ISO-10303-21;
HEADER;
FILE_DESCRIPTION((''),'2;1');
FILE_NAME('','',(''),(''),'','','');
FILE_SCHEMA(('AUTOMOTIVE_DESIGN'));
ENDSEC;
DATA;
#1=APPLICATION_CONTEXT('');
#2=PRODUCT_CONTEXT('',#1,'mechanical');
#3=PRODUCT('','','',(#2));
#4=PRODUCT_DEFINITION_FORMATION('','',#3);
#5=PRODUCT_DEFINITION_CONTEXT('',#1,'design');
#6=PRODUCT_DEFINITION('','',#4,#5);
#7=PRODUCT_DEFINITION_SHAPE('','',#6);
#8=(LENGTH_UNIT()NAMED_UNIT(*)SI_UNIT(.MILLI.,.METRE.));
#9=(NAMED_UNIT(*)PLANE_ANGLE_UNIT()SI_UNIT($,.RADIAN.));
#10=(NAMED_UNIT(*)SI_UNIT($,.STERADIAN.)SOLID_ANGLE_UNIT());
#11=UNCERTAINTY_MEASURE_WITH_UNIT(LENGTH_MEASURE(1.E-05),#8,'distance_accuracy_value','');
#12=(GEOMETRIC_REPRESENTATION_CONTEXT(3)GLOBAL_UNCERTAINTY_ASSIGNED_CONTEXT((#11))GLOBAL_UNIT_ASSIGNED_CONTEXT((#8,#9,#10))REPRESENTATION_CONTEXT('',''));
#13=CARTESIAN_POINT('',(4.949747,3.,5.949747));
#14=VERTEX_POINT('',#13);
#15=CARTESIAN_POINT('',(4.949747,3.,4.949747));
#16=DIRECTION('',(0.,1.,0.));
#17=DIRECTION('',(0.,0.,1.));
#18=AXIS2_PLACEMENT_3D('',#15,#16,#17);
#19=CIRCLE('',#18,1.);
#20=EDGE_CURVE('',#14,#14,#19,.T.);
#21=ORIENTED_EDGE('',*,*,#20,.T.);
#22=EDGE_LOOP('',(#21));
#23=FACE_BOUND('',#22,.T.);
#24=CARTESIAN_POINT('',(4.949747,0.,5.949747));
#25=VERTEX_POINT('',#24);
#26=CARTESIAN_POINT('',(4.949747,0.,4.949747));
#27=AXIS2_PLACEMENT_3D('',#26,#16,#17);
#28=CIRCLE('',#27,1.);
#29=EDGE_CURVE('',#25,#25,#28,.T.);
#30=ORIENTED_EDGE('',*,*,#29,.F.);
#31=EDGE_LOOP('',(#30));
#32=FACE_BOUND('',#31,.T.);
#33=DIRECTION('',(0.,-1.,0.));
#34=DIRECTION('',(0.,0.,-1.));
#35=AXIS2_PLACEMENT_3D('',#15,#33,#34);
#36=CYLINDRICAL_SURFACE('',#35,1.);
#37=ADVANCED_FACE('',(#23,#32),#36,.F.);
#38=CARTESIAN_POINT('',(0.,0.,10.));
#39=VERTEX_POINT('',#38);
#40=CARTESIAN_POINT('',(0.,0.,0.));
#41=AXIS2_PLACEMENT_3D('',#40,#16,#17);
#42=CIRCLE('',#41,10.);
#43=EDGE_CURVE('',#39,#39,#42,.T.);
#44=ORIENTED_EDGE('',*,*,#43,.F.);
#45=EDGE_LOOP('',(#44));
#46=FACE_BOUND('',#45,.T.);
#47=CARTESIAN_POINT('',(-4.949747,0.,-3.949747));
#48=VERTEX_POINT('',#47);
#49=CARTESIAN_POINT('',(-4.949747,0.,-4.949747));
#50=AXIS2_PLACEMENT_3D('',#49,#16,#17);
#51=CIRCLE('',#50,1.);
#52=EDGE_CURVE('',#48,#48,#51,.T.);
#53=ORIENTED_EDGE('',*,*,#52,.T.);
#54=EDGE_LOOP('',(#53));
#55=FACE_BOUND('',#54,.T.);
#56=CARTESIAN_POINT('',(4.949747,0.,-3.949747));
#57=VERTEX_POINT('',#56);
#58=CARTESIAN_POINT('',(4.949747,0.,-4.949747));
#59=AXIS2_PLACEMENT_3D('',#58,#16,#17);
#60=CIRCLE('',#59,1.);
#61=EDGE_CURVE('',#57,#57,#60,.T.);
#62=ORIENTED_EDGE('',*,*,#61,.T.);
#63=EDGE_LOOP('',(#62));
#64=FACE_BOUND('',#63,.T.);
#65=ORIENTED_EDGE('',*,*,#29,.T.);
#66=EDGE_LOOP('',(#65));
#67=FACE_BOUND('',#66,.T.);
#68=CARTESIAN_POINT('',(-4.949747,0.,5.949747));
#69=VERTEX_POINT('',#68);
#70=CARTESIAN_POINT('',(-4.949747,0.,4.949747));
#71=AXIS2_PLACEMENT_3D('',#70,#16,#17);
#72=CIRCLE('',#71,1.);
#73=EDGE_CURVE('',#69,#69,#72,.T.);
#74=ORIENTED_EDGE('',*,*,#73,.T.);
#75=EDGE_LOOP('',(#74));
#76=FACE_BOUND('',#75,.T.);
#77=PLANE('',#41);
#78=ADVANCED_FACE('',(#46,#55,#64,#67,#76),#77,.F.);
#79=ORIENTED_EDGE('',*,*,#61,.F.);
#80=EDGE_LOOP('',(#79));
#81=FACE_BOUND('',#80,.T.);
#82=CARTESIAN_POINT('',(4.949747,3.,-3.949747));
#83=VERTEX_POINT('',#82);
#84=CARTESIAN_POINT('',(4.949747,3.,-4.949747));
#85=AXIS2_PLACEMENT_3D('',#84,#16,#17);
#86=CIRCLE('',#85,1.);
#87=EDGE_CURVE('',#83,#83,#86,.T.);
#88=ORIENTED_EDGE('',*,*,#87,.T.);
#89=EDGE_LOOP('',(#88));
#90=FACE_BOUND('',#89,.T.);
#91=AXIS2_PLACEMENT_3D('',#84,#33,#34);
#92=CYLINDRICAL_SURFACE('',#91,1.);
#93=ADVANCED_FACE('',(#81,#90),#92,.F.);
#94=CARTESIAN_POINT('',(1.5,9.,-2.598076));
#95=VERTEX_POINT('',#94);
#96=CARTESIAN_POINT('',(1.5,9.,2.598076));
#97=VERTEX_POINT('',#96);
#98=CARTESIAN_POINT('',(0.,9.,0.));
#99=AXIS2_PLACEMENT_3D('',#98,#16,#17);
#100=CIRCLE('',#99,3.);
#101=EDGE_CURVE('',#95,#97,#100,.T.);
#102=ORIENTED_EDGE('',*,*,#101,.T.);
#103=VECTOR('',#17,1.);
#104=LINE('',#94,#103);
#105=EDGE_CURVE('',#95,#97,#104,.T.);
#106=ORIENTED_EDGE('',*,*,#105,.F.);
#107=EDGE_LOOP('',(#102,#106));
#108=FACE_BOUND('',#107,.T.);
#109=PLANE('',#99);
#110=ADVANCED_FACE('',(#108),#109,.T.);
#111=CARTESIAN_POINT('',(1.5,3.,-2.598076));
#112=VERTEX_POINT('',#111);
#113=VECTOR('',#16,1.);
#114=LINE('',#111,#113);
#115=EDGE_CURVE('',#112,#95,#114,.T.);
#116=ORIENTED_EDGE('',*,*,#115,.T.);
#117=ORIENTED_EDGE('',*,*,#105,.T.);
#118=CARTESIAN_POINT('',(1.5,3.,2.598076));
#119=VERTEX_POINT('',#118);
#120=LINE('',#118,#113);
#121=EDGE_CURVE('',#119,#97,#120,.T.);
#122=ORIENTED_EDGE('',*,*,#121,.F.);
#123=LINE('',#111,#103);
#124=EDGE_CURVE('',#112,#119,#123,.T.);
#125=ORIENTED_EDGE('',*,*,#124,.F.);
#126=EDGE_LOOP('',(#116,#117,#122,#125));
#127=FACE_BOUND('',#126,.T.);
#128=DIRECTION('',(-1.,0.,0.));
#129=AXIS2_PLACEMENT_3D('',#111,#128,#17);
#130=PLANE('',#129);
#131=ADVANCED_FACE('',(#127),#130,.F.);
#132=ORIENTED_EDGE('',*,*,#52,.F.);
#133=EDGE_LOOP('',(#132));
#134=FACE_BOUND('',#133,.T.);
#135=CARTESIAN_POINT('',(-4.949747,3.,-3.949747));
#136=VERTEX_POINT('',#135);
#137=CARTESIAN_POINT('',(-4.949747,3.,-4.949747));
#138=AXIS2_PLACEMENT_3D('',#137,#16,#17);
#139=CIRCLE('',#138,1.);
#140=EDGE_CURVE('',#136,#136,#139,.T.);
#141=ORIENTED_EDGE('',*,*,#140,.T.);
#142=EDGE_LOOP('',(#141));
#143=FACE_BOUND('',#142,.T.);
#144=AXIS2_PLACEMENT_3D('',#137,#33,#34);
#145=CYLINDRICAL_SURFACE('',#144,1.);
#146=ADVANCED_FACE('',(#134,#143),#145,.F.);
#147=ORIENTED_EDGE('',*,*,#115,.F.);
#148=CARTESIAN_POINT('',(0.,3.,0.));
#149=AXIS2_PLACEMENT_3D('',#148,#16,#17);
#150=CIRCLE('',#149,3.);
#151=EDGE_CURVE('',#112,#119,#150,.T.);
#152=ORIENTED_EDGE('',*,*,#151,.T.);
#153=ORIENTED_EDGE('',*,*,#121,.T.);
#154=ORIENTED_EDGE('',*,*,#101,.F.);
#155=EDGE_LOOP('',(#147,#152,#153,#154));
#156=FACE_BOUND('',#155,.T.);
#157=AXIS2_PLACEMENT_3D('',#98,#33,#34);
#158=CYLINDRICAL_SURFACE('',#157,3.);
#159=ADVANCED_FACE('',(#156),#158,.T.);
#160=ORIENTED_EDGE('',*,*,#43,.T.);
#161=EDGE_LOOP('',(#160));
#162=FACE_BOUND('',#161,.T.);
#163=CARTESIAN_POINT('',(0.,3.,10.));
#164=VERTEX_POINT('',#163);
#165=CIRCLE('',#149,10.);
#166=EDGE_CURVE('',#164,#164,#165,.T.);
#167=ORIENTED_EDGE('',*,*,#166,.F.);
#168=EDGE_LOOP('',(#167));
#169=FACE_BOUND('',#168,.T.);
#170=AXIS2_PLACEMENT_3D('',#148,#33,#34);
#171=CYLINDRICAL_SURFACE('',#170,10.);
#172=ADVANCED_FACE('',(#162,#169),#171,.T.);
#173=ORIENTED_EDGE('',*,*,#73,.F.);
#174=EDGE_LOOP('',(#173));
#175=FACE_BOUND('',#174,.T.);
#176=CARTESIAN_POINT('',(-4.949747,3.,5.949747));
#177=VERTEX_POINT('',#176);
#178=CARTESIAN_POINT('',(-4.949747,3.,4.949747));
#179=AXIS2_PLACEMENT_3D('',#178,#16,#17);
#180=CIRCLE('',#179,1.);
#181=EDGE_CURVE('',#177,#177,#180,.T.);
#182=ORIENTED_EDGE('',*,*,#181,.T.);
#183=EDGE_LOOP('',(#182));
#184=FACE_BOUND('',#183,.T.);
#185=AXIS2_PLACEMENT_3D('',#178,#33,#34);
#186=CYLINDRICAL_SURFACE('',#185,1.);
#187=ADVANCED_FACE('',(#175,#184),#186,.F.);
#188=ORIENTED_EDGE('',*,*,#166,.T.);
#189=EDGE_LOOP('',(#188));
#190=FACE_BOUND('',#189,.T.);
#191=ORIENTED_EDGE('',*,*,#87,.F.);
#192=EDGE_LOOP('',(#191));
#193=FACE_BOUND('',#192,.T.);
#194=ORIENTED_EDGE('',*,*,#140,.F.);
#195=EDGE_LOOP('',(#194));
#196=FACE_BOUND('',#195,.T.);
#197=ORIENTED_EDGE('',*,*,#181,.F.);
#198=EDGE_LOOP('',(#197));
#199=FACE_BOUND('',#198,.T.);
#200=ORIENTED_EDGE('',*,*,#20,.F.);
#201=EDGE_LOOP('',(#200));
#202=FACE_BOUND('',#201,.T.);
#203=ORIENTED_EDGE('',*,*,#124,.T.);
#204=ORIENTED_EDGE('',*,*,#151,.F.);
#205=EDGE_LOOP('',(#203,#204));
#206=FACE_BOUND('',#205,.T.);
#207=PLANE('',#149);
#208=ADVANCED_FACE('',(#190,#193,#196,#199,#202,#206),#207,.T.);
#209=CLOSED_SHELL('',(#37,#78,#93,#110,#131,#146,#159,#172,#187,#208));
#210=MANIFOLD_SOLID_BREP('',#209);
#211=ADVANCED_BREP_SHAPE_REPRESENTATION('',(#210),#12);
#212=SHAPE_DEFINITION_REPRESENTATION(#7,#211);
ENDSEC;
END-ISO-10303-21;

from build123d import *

# Parameters (mm, degrees)
CROQUIS1_R              = 10
CROQUIS1_R_2            = 1
SALIENTE_EXTRUIR1_DEPTH = 3
SALIENTE_EXTRUIR2_START = 3
CROQUIS1_3_R            = 3
SALIENTE_EXTRUIR2_DEPTH = 6
CORTAR_EXTRUIR1_START   = -6
CORTAR_EXTRUIR1_DEPTH   = 6


with BuildPart() as part:
    # Croquis1 → Saliente-Extruir1 (new body)
    with BuildSketch(Plane(origin=(0, 0, 0), x_dir=(1, 0, 0), z_dir=(0, 1, 0))):
        with Locations(Location((0, 0, 0), (0, 0, 270))):
            Circle(CROQUIS1_R)
        with Locations(Location((-4.949747468, 4.949747468, 0), (0, 0, 270))):
            Circle(CROQUIS1_R_2, mode=Mode.SUBTRACT)
        with Locations(Location((4.949747468, 4.949747468, 0), (0, 0, 270))):
            Circle(CROQUIS1_R_2, mode=Mode.SUBTRACT)
        with Locations(Location((4.949747468, -4.949747468, 0), (0, 0, 270))):
            Circle(CROQUIS1_R_2, mode=Mode.SUBTRACT)
        with Locations(Location((-4.949747468, -4.949747468, 0), (0, 0, 270))):
            Circle(CROQUIS1_R_2, mode=Mode.SUBTRACT)
    extrude(amount=SALIENTE_EXTRUIR1_DEPTH)

    # Croquis1<3> → Saliente-Extruir2 (add)
    with BuildSketch(Plane(origin=(0, 0, 0), x_dir=(1, 0, 0), z_dir=(0, 1, 0)).offset(SALIENTE_EXTRUIR2_START)):
        with Locations(Location((0, 0, 0), (0, 0, 270))):
            Circle(CROQUIS1_3_R)
    extrude(amount=SALIENTE_EXTRUIR2_DEPTH)

    # Croquis2 → Cortar-Extruir1 (cut)
    with BuildSketch(Plane(origin=(0, 9, 0), x_dir=(1, 0, 0), z_dir=(0, 1, 0)).offset(CORTAR_EXTRUIR1_START)):
        with BuildLine():
            Line((1.5, 2.598076211), (1.5, -2.598076211))
            ThreePointArc((1.5, -2.598076211), (3, 0), (1.5, 2.598076211))
        make_face()
    extrude(amount=CORTAR_EXTRUIR1_DEPTH, mode=Mode.SUBTRACT)


solid = part.part
